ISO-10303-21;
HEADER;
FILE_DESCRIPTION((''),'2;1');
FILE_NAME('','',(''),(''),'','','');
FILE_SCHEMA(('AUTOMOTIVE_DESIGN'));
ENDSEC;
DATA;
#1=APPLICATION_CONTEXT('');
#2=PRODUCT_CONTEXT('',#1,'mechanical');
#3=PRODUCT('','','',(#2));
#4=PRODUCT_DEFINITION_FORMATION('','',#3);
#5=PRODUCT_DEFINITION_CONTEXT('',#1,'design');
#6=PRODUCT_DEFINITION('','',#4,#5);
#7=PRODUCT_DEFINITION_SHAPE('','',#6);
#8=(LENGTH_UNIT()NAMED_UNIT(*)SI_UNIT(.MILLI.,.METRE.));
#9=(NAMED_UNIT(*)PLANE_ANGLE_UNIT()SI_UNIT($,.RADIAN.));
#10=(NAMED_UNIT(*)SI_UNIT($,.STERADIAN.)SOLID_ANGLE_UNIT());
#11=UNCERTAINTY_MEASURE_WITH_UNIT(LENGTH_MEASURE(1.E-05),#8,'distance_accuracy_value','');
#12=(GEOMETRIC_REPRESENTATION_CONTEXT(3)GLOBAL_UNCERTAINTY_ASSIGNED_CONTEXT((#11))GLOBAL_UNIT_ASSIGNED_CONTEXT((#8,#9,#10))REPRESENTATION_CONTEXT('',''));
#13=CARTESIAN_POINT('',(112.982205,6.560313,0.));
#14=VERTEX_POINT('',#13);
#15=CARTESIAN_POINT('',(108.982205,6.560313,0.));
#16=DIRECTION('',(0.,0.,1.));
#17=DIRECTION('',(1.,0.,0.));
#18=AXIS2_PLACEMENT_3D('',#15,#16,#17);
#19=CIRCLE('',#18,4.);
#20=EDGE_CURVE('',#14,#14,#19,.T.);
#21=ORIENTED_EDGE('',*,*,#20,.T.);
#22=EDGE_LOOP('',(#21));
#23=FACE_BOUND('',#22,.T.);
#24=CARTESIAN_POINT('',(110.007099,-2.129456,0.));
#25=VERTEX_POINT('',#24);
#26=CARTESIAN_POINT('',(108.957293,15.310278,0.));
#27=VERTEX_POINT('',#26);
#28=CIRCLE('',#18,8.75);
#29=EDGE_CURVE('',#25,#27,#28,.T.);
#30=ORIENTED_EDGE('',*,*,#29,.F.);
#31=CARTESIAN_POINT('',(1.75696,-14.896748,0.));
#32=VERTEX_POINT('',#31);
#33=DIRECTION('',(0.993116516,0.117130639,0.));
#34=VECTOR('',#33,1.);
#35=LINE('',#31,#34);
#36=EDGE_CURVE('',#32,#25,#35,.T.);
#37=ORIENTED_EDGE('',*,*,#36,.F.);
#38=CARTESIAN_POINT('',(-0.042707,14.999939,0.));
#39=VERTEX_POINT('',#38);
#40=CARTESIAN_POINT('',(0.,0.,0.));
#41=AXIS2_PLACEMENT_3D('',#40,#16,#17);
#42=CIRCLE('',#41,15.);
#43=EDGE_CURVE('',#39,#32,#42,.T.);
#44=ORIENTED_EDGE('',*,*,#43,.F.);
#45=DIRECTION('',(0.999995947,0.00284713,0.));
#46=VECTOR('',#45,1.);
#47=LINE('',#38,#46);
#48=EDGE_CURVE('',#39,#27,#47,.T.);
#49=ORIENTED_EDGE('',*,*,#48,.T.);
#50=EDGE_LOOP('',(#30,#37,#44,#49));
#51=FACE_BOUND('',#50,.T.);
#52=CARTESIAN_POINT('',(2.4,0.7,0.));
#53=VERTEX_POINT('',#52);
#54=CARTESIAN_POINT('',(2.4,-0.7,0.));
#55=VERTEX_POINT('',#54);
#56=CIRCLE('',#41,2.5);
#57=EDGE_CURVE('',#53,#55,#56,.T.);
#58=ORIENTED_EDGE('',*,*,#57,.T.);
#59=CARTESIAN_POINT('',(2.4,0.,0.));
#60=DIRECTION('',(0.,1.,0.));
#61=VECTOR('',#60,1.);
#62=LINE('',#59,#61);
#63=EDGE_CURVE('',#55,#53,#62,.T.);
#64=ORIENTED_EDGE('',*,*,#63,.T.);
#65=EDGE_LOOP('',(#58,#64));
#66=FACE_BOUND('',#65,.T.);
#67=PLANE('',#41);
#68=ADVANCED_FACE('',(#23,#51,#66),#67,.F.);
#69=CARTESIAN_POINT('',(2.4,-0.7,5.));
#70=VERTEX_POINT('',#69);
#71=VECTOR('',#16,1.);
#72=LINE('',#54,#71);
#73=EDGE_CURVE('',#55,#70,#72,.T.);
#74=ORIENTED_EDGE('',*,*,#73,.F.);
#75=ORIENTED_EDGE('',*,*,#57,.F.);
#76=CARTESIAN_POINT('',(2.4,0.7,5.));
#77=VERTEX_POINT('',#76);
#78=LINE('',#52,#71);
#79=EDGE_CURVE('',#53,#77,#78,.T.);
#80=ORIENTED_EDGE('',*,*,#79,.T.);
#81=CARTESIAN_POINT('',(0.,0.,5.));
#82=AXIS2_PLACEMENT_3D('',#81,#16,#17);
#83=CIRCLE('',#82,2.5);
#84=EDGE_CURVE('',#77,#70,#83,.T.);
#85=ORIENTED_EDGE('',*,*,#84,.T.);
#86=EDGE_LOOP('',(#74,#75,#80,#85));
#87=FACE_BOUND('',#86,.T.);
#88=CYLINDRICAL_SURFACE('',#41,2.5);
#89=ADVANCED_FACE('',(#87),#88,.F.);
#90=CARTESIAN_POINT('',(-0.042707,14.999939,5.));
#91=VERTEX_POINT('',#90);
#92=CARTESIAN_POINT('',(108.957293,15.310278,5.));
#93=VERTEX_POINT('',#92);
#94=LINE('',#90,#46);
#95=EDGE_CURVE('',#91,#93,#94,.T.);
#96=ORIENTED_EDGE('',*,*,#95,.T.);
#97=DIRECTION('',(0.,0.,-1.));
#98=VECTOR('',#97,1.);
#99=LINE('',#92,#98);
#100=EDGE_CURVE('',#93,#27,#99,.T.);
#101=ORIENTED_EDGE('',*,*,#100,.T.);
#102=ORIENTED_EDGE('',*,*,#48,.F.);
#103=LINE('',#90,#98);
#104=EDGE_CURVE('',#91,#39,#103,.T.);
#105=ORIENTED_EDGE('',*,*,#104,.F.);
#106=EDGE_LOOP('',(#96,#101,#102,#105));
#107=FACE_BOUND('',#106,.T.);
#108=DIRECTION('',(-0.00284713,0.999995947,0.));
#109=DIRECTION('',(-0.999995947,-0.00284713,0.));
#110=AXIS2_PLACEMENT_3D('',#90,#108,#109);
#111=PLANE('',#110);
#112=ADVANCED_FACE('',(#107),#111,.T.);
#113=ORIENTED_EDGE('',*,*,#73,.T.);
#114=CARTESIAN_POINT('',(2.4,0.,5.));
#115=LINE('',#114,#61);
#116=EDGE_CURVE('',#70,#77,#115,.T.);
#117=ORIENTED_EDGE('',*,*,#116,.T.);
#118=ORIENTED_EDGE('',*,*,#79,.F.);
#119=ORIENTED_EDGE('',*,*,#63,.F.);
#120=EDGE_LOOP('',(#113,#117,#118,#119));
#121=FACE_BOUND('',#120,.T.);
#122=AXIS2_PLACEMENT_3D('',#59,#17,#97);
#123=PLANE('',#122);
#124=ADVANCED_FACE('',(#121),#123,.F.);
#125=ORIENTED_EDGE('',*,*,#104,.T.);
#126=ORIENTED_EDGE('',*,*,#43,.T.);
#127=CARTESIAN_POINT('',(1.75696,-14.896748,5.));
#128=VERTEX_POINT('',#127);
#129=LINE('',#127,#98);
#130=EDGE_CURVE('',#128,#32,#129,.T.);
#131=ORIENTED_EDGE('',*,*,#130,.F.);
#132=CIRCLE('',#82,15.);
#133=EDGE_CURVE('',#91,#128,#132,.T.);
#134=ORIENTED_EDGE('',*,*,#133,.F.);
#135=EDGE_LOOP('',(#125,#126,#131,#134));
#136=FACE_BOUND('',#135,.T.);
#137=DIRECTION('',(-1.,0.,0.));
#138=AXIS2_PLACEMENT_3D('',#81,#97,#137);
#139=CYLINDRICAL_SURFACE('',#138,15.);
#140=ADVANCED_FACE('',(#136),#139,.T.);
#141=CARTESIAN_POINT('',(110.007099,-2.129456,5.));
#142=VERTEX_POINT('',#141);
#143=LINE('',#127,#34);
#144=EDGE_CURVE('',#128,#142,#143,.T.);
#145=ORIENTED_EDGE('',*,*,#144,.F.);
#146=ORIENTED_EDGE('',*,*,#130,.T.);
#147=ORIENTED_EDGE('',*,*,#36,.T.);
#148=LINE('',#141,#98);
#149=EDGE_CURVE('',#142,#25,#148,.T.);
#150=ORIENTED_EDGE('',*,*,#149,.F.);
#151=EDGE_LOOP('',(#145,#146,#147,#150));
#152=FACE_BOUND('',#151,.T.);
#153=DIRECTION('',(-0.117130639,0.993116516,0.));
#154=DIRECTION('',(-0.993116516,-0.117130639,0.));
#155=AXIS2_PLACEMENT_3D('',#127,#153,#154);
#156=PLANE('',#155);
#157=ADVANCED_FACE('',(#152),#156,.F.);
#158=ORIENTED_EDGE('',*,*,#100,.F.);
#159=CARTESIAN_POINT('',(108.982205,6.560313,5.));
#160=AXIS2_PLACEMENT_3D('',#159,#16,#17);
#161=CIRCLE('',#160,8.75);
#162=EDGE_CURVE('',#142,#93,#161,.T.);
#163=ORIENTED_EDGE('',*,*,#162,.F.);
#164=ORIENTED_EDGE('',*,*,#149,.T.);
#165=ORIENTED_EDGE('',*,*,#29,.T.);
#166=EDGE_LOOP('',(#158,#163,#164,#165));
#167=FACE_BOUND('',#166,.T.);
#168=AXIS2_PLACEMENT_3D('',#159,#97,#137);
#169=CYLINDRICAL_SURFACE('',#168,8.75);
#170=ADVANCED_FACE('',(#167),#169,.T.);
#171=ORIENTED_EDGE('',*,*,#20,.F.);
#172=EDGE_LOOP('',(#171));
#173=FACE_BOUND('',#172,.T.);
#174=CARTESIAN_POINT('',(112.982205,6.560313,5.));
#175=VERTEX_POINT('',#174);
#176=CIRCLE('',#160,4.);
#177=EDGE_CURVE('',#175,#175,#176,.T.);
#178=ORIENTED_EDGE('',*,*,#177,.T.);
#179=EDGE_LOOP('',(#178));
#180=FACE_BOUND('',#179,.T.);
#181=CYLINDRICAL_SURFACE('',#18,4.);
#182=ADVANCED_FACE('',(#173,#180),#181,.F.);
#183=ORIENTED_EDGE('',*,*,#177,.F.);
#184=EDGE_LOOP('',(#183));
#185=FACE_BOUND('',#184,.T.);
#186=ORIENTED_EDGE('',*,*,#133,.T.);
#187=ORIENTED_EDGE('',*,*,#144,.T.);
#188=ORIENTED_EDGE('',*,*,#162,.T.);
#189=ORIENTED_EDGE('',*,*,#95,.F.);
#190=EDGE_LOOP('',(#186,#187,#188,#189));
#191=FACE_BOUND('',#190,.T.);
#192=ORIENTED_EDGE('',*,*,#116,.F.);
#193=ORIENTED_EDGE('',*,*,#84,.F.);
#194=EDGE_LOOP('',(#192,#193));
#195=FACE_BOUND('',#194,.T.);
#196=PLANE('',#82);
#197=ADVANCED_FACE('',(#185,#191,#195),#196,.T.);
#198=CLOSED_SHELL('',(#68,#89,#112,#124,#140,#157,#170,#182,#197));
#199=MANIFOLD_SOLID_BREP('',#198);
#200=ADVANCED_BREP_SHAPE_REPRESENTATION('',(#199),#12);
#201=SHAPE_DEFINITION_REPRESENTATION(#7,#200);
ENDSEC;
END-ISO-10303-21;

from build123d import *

# Parameters (mm, degrees)
SKETCH_2_R          = 15
SKETCH_2_R_2        = 8.75
EXTRUDE_1_DEPTH     = 5
SKETCH_3_R          = 4
CUT_EXTRUDE_1_DEPTH = 5


with BuildPart() as part:
    # 草图2 → 凸台-拉伸1 (new body)
    with BuildSketch(Plane.XY):
        Circle(SKETCH_2_R)
        with BuildLine():
            Line((108.957293046, 15.310277664), (-0.042706954, 14.999939204))
            ThreePointArc((-0.042706954, 14.999939204), (10.591491767, 10.621690174), (15, 0))
            ThreePointArc((15, 0), (11.210584144, -9.966082639), (1.756959578, -14.896747734))
            Line((1.756959578, -14.896747734), (110.007098523, -2.129456383))
            ThreePointArc((110.007098523, -2.129456383), (100.248015648, 6.034548214), (108.957293046, 15.310277664))
        make_face()
        with Locations((108.982205436, 6.560313128)):
            Circle(SKETCH_2_R_2)
    extrude(amount=EXTRUDE_1_DEPTH)

    # 草图3 → 切除-拉伸1 (cut)
    with BuildSketch(Plane.XY.offset(5)):
        with BuildLine():
            Line((2.4, -0.7), (2.4, 0))
            Line((2.4, 0), (2.4, 0.7))
            ThreePointArc((2.4, 0.7), (-2.5, 0), (2.4, -0.7))
        make_face()
        with Locations((108.982205436, 6.560313128)):
            Circle(SKETCH_3_R)
    extrude(amount=-CUT_EXTRUDE_1_DEPTH, mode=Mode.SUBTRACT)


solid = part.part
